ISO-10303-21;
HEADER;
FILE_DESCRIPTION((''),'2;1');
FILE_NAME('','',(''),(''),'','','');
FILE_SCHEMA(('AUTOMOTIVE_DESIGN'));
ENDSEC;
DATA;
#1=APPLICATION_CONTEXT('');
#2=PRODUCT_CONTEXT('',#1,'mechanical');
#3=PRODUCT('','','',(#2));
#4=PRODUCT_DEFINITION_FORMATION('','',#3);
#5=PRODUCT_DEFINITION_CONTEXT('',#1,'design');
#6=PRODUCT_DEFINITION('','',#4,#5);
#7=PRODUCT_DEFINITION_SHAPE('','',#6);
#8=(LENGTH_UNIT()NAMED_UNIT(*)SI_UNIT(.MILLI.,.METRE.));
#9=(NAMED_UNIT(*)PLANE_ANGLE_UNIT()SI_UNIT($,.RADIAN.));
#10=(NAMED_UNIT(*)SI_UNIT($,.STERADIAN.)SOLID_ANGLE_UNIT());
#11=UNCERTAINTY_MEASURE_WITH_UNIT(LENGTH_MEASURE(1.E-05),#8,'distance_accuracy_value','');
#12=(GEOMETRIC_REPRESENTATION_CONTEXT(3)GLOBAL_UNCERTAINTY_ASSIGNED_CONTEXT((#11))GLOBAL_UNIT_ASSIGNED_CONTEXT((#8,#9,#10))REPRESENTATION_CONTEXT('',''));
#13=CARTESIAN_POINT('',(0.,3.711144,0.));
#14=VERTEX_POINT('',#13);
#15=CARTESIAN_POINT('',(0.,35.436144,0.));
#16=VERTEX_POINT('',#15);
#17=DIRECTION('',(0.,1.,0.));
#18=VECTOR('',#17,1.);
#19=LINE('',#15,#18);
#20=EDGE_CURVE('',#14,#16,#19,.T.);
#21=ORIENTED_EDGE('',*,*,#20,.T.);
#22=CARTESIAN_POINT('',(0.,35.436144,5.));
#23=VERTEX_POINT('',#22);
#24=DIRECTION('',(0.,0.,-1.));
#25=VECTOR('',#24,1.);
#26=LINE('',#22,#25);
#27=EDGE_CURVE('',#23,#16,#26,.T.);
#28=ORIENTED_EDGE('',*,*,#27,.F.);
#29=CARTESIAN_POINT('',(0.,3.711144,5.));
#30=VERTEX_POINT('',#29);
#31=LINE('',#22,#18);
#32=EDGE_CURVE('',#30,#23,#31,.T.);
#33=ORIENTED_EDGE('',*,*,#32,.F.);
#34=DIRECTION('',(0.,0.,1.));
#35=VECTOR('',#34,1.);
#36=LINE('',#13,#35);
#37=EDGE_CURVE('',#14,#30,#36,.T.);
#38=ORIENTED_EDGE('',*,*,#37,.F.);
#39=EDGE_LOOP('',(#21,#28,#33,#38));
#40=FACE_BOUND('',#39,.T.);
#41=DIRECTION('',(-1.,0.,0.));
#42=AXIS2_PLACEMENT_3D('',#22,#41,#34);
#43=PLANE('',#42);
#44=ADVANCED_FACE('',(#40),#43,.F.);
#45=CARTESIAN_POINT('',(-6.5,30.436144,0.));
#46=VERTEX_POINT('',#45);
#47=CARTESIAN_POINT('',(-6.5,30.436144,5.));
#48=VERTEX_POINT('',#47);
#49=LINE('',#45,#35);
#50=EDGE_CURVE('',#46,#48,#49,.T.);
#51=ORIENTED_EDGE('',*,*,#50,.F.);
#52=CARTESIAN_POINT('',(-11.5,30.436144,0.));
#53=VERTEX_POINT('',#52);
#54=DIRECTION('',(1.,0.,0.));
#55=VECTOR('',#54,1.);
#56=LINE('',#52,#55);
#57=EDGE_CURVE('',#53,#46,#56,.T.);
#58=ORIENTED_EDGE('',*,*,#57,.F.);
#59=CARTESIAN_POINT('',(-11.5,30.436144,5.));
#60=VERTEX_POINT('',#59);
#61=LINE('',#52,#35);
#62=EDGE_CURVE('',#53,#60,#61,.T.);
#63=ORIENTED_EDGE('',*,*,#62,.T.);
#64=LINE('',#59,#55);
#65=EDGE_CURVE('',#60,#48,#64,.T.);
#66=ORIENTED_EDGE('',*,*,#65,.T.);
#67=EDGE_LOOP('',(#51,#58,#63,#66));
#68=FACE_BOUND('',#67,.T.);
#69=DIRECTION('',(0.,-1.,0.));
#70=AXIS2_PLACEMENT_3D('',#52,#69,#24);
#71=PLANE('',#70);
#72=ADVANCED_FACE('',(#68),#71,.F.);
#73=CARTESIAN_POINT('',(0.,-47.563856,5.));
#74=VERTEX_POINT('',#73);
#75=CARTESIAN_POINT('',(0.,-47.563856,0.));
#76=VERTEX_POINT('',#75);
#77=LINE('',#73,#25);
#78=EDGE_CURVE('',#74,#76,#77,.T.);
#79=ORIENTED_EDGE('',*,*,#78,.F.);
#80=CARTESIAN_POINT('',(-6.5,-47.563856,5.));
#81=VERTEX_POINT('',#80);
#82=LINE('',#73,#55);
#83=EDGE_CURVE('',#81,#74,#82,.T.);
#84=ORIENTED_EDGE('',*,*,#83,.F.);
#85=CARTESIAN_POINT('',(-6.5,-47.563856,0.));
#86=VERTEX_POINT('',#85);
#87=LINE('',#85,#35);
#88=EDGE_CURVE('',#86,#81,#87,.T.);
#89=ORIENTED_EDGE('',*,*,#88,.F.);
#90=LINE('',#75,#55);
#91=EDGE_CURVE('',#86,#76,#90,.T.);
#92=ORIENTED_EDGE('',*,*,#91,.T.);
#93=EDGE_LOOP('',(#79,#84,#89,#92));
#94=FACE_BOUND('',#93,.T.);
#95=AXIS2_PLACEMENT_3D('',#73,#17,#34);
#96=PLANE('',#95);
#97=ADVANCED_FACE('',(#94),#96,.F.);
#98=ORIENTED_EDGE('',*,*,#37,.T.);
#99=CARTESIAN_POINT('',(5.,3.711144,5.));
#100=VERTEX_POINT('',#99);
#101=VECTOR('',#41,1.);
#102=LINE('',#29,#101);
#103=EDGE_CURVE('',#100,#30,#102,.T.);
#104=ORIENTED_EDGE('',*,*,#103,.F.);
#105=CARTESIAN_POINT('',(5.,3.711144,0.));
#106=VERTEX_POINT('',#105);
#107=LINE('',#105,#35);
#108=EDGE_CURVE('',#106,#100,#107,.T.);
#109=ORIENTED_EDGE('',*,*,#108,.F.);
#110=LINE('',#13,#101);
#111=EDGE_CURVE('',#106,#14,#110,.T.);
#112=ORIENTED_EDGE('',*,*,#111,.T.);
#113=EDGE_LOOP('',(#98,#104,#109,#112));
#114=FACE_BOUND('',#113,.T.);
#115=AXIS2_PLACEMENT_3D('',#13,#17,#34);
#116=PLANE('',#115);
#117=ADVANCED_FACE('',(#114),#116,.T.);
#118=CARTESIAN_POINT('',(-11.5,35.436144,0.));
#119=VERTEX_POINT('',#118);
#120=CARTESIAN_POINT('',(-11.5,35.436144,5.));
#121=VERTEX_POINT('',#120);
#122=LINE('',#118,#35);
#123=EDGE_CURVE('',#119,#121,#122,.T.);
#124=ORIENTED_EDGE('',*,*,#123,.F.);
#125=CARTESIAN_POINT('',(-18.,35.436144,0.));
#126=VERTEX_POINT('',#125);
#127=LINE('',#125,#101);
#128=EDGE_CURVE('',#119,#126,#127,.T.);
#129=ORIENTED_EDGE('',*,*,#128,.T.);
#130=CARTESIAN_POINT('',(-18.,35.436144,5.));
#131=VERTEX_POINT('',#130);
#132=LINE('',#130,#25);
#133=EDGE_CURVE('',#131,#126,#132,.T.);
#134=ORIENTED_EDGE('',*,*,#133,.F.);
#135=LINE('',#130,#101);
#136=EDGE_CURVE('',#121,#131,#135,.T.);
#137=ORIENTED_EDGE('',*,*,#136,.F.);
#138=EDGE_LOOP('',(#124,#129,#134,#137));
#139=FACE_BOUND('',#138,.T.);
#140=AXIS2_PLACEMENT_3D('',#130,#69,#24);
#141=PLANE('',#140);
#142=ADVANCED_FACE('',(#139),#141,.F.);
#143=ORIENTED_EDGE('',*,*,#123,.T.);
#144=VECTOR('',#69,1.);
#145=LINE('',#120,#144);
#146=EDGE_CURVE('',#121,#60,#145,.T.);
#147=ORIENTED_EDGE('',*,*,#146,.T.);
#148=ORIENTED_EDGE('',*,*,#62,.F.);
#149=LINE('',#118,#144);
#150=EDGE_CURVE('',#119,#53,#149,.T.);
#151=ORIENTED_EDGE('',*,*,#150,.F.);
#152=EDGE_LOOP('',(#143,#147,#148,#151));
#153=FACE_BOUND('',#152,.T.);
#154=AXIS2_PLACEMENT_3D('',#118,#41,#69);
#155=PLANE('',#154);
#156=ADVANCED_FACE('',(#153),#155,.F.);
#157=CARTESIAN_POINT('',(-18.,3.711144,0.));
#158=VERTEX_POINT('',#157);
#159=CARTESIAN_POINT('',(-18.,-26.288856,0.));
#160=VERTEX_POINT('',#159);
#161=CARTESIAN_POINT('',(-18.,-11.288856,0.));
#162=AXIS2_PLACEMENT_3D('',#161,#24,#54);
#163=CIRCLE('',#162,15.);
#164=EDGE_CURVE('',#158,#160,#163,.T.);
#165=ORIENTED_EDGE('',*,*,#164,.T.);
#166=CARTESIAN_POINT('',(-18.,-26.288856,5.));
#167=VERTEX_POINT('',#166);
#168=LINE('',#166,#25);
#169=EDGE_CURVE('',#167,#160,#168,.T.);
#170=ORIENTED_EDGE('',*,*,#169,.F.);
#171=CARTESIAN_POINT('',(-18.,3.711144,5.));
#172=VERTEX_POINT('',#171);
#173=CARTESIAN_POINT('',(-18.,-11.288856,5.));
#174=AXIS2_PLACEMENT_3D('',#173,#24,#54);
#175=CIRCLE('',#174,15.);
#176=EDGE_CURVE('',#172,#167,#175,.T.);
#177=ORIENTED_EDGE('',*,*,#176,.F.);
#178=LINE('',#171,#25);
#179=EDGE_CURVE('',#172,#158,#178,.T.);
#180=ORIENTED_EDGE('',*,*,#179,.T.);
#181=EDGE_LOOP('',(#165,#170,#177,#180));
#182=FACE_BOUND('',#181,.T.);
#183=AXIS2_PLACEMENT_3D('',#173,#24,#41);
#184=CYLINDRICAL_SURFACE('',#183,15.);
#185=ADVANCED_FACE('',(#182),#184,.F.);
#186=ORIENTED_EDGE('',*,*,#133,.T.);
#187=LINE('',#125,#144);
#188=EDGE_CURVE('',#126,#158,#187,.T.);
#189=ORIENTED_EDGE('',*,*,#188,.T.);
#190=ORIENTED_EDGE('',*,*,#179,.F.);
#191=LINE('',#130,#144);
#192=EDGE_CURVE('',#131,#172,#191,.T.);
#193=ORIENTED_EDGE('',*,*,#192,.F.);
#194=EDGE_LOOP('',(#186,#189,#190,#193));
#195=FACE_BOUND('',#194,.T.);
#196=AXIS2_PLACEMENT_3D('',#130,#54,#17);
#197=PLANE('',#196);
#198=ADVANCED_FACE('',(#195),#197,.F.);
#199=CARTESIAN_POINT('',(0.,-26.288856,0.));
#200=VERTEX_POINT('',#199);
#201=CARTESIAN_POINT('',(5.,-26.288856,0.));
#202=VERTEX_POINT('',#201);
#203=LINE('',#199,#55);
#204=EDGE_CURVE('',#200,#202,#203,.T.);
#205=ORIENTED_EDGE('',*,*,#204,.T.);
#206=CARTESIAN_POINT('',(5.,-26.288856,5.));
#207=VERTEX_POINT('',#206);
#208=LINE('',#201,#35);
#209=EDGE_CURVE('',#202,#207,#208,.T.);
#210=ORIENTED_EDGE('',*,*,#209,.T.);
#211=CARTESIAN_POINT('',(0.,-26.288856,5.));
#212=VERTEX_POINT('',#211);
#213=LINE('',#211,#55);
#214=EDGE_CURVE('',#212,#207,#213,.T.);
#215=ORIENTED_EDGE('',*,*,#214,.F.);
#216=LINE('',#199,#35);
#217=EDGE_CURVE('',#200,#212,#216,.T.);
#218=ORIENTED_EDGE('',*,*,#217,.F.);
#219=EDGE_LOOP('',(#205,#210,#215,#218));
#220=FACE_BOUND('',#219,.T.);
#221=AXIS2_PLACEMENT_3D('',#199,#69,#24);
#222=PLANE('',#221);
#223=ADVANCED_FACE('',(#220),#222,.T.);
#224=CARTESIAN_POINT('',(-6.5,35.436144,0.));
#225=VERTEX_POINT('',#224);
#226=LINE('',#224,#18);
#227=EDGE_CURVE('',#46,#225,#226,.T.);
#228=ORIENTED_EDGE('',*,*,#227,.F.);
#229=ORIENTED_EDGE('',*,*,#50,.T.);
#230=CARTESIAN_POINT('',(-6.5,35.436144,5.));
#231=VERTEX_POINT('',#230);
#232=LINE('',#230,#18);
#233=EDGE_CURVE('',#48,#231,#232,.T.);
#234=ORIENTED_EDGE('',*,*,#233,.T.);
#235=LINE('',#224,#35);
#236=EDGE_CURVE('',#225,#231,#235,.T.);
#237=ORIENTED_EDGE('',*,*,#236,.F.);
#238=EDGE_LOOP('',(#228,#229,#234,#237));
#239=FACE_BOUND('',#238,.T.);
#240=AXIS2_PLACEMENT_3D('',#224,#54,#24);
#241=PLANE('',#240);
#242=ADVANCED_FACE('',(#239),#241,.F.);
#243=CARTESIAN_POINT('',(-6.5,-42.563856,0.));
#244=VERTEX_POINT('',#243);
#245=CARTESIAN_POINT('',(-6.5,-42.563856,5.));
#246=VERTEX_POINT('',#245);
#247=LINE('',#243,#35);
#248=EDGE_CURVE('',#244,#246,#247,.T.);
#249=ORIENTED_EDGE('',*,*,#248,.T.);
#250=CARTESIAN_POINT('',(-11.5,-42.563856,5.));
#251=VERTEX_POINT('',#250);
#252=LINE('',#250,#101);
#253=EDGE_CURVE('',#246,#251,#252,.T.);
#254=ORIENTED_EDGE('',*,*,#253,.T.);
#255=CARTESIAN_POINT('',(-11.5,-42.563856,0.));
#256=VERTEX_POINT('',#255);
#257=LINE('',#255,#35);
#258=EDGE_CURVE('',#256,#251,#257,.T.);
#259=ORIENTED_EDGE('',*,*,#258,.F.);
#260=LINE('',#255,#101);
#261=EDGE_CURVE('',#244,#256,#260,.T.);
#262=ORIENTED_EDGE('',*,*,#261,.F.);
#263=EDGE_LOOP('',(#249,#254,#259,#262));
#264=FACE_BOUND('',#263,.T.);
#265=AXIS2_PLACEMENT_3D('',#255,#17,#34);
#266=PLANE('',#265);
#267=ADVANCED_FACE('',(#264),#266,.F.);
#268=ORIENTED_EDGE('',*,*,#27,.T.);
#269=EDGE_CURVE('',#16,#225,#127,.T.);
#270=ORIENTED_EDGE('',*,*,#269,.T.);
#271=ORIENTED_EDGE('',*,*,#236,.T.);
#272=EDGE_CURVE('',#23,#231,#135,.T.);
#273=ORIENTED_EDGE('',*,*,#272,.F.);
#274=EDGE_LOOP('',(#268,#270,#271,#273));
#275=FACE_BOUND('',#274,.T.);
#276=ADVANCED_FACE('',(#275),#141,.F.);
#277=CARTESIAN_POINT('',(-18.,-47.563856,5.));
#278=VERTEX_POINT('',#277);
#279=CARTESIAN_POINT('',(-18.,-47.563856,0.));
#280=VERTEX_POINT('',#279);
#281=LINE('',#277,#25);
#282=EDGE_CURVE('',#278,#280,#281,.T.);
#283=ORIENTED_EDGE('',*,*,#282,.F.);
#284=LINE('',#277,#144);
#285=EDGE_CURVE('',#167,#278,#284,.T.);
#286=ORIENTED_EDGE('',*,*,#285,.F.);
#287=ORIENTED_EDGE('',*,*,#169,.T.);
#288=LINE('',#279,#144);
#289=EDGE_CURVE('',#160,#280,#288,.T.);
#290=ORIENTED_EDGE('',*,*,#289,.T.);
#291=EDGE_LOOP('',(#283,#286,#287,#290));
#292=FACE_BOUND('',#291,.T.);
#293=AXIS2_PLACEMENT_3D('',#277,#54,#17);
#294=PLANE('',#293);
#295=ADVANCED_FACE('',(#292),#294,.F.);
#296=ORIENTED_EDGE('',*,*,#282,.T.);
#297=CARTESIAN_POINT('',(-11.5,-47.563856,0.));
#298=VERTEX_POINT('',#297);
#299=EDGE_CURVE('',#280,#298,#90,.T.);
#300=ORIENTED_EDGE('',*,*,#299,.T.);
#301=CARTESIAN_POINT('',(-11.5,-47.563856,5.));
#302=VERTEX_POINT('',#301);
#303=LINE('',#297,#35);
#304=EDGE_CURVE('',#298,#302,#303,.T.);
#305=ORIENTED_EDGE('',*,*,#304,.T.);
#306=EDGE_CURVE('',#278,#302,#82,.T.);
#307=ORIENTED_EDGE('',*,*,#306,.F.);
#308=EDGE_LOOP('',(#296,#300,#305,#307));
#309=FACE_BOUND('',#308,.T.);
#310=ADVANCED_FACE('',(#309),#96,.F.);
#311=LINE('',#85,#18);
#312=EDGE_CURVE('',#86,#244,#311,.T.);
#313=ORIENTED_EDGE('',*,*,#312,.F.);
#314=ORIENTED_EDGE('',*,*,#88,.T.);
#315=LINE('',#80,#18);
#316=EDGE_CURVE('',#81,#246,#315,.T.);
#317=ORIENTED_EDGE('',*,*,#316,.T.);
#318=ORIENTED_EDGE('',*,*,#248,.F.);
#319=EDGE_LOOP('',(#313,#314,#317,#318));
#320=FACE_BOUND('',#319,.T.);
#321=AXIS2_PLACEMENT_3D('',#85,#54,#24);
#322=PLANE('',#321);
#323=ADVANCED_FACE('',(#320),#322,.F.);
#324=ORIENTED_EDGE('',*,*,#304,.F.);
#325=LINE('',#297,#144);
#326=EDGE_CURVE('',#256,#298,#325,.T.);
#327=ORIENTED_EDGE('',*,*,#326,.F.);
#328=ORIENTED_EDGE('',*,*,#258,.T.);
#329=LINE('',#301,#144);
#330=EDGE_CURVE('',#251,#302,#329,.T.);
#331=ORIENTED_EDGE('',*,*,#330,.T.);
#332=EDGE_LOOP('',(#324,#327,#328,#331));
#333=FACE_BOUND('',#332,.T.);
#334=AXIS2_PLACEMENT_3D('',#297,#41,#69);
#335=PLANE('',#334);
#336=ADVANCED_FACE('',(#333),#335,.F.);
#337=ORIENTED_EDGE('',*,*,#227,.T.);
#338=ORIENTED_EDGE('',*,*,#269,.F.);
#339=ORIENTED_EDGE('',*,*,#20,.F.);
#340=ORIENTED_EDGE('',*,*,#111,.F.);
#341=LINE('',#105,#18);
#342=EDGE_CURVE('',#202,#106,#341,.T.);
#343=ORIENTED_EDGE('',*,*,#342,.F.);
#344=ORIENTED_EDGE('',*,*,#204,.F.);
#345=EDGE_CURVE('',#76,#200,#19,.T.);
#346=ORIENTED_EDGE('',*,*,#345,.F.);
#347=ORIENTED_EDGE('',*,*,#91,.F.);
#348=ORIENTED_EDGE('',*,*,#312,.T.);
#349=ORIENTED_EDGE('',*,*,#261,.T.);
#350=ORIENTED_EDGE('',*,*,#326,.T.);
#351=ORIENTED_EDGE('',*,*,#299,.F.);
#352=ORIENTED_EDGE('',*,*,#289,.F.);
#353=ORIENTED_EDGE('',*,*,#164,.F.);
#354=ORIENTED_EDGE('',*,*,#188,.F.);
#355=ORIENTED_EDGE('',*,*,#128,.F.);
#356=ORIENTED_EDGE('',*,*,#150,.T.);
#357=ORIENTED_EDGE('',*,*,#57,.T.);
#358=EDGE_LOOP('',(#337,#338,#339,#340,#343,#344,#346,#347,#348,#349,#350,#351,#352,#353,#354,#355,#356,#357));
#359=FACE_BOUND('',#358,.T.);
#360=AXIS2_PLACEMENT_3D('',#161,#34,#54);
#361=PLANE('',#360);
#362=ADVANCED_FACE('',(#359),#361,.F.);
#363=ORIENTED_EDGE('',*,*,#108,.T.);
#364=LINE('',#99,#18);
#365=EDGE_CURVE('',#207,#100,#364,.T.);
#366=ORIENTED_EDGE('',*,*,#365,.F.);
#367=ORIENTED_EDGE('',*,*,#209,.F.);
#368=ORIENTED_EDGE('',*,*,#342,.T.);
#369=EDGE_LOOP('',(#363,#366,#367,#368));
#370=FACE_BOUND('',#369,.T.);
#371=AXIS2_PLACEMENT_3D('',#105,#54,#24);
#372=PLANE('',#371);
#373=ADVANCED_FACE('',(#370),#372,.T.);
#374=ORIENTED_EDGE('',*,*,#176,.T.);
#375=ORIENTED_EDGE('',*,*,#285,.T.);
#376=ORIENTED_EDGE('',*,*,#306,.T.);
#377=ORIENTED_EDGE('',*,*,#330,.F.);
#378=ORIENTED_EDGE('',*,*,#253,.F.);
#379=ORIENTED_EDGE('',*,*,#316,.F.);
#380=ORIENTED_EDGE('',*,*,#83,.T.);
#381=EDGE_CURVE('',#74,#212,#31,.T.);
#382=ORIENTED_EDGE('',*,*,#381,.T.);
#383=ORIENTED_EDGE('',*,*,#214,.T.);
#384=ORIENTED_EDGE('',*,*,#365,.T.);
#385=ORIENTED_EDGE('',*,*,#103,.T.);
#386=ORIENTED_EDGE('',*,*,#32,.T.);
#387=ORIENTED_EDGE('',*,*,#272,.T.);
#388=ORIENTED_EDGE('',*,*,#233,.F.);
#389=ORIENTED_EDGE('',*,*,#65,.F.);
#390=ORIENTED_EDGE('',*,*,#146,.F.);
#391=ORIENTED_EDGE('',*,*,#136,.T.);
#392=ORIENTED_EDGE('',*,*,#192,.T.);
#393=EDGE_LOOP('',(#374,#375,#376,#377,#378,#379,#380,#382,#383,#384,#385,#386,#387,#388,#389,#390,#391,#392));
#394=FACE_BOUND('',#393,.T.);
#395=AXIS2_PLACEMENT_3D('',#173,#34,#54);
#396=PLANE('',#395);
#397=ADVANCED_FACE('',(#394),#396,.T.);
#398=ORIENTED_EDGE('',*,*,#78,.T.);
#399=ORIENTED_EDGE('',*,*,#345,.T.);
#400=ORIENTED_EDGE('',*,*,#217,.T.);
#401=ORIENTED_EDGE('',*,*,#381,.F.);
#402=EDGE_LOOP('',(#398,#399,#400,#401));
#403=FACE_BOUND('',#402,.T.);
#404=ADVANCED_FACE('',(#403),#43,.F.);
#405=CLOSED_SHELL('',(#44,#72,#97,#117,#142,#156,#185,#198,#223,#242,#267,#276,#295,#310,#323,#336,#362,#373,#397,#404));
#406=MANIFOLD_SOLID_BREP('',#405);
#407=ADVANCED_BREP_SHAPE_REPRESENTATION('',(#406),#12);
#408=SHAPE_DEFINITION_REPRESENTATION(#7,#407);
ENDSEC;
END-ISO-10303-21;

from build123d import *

# Parameters (mm, degrees)
BOSS_EXTRU_1_DEPTH      = 5
ESQUISSE2_W             = 5
ESQUISSE2_H             = 5
ENL_V_MAT_EXTRU_1_DEPTH = 5
ESQUISSE3_W             = 5
ESQUISSE3_H             = 30
BOSS_EXTRU_2_DEPTH      = 5


with BuildPart() as part:
    # Esquisse1 → Boss.-Extru.1 (new body)
    with BuildSketch(Plane.XY):
        with BuildLine():
            Line((-18, 35.436143593), (0, 35.436143593))
            Line((0, 35.436143593), (0, -47.563856407))
            Line((0, -47.563856407), (-18, -47.563856407))
            Line((-18, -47.563856407), (-18, -26.288856407))
            ThreePointArc((-18, -26.288856407), (-3, -11.288856407), (-18, 3.711143593))
            Line((-18, 3.711143593), (-18, 35.436143593))
        make_face()
    extrude(amount=BOSS_EXTRU_1_DEPTH)

    # Esquisse2 → Enlèv. mat.-Extru.1 (cut)
    with BuildSketch(Plane.XY.offset(5)):
        with Locations((-9, 32.936143593)):
            Rectangle(ESQUISSE2_W, ESQUISSE2_H)
        with Locations((-9, -45.063856407)):
            Rectangle(ESQUISSE2_W, ESQUISSE2_H)
    extrude(amount=-ENL_V_MAT_EXTRU_1_DEPTH, mode=Mode.SUBTRACT)

    # Esquisse3 → Boss.-Extru.2 (add)
    with BuildSketch(Plane.XY.offset(5)):
        with Locations((2.5, -11.288856407)):
            Rectangle(ESQUISSE3_W, ESQUISSE3_H)
    extrude(amount=-BOSS_EXTRU_2_DEPTH)


solid = part.part
